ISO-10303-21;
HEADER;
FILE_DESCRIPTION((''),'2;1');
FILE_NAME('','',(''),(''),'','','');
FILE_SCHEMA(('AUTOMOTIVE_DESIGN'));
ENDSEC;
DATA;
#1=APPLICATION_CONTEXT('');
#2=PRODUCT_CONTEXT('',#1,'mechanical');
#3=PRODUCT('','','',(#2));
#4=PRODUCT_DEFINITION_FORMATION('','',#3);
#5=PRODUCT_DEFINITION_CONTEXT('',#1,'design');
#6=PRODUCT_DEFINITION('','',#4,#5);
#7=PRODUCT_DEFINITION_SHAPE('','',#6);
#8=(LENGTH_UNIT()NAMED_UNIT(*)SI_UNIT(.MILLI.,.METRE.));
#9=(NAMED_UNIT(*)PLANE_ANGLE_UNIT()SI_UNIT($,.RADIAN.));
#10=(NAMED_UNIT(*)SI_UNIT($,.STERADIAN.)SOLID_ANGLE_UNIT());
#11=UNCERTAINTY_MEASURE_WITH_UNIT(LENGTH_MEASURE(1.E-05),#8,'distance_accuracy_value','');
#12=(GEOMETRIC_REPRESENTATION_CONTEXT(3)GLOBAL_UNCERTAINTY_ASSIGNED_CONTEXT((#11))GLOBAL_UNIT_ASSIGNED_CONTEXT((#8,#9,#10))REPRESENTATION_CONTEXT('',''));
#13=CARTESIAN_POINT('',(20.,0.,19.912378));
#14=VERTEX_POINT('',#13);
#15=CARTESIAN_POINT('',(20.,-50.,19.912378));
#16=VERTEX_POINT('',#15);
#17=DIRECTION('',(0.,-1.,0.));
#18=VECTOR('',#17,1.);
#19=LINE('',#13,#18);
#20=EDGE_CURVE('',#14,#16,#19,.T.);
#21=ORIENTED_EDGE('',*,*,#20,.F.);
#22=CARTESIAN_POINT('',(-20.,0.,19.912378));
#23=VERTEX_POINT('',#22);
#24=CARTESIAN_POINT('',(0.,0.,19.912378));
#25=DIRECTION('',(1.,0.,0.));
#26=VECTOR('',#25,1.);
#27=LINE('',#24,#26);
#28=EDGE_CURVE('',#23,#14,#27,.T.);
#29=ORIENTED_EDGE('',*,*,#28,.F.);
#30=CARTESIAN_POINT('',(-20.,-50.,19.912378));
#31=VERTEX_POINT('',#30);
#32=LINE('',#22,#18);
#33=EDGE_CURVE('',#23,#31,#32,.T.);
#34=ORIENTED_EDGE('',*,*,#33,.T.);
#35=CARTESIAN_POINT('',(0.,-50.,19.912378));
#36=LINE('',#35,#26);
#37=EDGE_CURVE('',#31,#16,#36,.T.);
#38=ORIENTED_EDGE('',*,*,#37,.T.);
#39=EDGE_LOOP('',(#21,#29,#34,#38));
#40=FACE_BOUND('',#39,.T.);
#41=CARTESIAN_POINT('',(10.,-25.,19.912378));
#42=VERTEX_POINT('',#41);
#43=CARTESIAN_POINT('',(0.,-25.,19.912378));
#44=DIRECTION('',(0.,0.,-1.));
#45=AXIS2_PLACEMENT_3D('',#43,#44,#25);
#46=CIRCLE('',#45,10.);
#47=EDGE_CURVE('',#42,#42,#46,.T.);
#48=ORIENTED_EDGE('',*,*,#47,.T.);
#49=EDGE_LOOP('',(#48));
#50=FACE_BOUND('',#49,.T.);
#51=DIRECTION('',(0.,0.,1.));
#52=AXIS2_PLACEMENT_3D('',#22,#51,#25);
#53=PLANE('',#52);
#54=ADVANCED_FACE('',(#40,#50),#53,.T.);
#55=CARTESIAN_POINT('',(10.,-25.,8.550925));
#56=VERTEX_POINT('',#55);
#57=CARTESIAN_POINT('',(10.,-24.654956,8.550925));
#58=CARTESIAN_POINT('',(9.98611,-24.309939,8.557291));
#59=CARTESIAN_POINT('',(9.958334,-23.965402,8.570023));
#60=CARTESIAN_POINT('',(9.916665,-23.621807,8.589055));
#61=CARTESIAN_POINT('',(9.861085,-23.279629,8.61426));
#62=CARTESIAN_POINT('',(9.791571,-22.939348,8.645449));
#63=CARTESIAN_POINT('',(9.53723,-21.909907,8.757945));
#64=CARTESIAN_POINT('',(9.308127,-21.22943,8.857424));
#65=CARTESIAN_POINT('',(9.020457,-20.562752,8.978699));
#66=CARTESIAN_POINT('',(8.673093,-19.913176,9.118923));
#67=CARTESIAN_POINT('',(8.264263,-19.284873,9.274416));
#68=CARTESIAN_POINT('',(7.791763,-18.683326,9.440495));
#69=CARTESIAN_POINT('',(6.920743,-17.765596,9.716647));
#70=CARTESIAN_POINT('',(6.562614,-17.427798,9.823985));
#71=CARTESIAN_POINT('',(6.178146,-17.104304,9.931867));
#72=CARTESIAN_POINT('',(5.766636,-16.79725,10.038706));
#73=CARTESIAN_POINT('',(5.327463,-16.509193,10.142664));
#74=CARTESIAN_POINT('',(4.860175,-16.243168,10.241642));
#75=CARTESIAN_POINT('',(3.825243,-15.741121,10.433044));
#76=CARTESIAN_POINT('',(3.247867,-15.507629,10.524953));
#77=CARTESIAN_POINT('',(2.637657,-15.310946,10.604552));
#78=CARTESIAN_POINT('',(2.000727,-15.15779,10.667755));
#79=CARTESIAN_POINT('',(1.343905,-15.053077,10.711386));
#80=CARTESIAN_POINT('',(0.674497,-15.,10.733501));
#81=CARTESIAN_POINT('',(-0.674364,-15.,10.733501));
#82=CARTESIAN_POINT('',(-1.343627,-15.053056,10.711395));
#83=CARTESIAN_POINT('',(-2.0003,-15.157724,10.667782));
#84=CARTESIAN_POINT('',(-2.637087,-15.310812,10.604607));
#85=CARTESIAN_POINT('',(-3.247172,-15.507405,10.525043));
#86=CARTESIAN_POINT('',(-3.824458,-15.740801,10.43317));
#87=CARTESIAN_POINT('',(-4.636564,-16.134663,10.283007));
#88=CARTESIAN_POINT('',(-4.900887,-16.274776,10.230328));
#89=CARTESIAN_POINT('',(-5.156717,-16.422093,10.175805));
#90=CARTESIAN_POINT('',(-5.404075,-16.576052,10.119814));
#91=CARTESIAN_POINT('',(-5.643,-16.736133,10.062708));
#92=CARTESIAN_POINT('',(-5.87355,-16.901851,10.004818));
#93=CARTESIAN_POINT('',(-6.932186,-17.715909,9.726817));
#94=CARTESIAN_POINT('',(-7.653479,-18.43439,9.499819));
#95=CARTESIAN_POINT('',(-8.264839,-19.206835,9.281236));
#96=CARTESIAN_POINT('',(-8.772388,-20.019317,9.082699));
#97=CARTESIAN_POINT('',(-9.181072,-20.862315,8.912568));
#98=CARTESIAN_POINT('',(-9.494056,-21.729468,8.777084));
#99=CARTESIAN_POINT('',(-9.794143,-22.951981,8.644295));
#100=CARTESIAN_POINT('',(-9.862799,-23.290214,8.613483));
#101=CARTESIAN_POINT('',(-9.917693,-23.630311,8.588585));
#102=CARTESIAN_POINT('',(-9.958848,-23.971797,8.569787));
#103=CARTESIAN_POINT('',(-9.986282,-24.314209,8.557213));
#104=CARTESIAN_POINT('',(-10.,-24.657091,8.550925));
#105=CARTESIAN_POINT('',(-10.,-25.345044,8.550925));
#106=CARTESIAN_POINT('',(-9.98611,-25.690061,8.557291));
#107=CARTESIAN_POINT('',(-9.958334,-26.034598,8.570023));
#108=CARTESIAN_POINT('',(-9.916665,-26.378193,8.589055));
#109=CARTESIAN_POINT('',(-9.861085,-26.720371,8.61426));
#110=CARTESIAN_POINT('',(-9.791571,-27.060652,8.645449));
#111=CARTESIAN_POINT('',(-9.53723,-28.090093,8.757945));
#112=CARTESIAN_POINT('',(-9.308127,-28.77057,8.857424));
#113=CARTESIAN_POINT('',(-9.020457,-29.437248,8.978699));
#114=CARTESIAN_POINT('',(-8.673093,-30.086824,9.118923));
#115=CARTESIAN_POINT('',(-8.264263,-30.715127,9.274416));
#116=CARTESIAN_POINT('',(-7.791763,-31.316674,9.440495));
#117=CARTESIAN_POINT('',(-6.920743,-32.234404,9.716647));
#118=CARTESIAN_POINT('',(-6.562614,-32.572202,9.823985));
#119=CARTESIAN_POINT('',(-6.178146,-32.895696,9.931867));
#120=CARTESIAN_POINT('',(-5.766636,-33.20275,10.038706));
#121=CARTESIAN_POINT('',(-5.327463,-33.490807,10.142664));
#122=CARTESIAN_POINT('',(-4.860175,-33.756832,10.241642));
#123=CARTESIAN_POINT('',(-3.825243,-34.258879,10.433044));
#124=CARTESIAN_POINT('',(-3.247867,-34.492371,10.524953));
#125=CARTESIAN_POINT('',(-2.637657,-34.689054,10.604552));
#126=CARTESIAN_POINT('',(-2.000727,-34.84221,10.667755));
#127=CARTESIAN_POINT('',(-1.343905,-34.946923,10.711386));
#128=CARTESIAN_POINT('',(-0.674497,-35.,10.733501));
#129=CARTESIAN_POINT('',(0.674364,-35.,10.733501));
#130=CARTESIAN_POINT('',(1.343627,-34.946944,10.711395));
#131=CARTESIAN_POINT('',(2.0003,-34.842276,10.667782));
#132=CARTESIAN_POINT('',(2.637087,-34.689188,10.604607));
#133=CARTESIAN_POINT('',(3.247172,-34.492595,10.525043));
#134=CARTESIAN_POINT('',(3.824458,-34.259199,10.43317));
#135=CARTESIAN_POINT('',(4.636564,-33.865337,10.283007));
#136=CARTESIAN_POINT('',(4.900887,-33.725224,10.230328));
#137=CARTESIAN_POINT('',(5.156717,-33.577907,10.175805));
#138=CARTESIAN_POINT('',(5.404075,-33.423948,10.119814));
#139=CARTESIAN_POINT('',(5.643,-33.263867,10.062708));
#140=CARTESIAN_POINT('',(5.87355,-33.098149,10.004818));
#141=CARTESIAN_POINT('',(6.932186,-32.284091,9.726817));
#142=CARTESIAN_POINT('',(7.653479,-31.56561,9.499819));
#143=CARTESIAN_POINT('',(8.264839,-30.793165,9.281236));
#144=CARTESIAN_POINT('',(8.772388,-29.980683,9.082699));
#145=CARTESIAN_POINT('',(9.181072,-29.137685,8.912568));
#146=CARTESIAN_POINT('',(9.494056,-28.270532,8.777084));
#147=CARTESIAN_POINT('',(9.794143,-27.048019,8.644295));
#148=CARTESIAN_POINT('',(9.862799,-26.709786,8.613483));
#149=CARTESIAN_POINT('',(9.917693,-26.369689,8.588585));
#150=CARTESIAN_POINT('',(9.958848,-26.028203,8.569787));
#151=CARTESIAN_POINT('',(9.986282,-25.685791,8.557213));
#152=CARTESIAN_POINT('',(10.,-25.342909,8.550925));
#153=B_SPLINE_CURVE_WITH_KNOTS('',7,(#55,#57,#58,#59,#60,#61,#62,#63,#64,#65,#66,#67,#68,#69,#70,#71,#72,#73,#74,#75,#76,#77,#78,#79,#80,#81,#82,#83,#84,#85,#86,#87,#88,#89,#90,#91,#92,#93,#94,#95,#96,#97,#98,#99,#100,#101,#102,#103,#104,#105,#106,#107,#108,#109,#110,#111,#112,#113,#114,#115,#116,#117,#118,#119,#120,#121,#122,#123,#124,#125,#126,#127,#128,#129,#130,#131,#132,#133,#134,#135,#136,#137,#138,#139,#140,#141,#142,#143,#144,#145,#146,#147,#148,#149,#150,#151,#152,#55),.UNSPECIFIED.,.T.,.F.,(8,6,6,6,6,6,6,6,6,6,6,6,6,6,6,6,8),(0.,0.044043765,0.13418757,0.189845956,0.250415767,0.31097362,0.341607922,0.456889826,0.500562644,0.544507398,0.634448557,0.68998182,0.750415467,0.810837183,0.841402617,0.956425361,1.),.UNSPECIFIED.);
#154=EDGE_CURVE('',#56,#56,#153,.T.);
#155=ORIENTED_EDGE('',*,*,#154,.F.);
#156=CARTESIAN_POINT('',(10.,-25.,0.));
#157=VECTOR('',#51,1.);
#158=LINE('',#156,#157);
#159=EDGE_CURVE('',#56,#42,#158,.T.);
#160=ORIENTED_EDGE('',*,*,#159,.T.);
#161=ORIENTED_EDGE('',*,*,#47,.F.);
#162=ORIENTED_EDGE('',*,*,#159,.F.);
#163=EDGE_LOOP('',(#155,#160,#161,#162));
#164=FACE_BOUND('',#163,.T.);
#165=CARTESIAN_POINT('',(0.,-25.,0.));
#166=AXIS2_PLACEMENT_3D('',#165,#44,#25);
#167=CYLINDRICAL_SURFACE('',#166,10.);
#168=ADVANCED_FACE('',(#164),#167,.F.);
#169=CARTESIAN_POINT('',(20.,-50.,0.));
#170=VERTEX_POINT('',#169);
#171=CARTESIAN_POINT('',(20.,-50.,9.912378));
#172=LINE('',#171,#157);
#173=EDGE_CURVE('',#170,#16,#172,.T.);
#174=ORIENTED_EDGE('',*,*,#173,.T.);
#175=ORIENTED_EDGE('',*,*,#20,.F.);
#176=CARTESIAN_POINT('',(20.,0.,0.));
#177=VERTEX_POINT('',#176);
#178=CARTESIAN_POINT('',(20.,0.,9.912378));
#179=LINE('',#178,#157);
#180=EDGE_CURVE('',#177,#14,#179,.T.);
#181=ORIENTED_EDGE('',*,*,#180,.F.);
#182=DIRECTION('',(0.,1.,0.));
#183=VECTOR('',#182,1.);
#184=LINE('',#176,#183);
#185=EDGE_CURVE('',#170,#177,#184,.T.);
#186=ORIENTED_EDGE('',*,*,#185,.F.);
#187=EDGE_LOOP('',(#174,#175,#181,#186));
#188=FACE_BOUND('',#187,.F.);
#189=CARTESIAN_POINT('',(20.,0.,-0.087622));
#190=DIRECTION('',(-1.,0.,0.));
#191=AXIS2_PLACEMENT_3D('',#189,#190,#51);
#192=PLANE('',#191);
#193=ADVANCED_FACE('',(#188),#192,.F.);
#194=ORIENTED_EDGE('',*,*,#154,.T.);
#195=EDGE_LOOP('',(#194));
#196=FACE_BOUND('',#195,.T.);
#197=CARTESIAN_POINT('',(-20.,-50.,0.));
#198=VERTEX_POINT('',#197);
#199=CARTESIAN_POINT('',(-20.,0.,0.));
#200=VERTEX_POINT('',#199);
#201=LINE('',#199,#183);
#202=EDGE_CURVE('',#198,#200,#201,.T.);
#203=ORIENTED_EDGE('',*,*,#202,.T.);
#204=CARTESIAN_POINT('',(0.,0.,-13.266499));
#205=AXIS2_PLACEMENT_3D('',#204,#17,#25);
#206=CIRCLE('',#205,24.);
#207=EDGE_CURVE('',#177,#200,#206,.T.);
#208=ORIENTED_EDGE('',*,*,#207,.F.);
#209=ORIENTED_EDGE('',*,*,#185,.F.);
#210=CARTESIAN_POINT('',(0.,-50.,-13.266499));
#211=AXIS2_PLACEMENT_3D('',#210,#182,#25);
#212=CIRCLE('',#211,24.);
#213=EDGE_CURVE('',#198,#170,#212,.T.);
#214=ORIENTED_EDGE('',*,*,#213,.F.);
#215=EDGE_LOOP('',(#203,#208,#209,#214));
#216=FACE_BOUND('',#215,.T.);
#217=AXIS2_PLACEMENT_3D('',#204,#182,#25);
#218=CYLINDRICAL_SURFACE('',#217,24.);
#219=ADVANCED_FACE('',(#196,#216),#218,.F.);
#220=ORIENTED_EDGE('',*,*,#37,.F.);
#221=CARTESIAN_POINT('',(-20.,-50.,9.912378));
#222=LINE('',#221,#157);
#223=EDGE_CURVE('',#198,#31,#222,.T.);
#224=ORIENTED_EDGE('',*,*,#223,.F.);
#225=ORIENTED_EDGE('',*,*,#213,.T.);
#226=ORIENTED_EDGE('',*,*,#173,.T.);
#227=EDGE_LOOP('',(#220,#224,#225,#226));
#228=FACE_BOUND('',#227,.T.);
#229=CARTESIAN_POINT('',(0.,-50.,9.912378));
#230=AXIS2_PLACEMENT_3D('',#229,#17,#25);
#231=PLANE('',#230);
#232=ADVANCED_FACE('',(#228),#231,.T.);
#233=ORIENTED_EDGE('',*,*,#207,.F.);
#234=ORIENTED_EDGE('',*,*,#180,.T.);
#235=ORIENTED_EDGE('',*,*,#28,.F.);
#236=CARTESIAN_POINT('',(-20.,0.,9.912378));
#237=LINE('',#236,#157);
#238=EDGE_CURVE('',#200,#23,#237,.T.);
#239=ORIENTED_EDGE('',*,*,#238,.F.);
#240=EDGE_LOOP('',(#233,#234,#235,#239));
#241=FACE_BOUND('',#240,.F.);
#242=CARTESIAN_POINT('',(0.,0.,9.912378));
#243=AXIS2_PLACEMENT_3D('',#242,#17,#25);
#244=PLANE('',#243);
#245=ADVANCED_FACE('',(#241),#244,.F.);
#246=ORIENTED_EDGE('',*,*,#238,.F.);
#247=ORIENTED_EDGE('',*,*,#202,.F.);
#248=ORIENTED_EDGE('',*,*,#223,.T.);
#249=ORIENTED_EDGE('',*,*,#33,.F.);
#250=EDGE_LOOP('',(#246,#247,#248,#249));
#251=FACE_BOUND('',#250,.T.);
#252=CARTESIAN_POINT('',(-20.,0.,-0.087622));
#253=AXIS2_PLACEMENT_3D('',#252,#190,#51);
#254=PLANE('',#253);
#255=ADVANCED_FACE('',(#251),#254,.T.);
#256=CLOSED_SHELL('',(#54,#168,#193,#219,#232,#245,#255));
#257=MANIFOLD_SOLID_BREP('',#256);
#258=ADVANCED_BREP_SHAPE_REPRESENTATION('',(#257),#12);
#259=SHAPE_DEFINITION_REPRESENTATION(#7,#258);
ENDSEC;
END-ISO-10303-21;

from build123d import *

# Parameters (mm, degrees)
F0_W     = 40
F0_H     = 20
F1_DEPTH = 50
F2_R     = 24
F3_DEPTH = 50.001
F4_R     = 10
F5_DEPTH = 19.913378


with BuildPart() as f1:
    # F0 (on Front) → F1 (new body)
    with BuildSketch(Plane.XZ):
        with Locations((0, 9.912378)):
            Rectangle(F0_W, F0_H)
    extrude(amount=F1_DEPTH)

    # F2 (on Front) → F3 (cut, through all)
    with BuildSketch(Plane.XZ):
        with Locations((0, -13.266499)):
            Circle(F2_R)
    extrude(amount=F3_DEPTH, mode=Mode.SUBTRACT)

    # F4 (on Top) → F5 (cut, through all)
    with BuildSketch(Plane.XY):
        with Locations((0, -25)):
            Circle(F4_R)
    extrude(amount=F5_DEPTH, mode=Mode.SUBTRACT)


solid = f1.part
